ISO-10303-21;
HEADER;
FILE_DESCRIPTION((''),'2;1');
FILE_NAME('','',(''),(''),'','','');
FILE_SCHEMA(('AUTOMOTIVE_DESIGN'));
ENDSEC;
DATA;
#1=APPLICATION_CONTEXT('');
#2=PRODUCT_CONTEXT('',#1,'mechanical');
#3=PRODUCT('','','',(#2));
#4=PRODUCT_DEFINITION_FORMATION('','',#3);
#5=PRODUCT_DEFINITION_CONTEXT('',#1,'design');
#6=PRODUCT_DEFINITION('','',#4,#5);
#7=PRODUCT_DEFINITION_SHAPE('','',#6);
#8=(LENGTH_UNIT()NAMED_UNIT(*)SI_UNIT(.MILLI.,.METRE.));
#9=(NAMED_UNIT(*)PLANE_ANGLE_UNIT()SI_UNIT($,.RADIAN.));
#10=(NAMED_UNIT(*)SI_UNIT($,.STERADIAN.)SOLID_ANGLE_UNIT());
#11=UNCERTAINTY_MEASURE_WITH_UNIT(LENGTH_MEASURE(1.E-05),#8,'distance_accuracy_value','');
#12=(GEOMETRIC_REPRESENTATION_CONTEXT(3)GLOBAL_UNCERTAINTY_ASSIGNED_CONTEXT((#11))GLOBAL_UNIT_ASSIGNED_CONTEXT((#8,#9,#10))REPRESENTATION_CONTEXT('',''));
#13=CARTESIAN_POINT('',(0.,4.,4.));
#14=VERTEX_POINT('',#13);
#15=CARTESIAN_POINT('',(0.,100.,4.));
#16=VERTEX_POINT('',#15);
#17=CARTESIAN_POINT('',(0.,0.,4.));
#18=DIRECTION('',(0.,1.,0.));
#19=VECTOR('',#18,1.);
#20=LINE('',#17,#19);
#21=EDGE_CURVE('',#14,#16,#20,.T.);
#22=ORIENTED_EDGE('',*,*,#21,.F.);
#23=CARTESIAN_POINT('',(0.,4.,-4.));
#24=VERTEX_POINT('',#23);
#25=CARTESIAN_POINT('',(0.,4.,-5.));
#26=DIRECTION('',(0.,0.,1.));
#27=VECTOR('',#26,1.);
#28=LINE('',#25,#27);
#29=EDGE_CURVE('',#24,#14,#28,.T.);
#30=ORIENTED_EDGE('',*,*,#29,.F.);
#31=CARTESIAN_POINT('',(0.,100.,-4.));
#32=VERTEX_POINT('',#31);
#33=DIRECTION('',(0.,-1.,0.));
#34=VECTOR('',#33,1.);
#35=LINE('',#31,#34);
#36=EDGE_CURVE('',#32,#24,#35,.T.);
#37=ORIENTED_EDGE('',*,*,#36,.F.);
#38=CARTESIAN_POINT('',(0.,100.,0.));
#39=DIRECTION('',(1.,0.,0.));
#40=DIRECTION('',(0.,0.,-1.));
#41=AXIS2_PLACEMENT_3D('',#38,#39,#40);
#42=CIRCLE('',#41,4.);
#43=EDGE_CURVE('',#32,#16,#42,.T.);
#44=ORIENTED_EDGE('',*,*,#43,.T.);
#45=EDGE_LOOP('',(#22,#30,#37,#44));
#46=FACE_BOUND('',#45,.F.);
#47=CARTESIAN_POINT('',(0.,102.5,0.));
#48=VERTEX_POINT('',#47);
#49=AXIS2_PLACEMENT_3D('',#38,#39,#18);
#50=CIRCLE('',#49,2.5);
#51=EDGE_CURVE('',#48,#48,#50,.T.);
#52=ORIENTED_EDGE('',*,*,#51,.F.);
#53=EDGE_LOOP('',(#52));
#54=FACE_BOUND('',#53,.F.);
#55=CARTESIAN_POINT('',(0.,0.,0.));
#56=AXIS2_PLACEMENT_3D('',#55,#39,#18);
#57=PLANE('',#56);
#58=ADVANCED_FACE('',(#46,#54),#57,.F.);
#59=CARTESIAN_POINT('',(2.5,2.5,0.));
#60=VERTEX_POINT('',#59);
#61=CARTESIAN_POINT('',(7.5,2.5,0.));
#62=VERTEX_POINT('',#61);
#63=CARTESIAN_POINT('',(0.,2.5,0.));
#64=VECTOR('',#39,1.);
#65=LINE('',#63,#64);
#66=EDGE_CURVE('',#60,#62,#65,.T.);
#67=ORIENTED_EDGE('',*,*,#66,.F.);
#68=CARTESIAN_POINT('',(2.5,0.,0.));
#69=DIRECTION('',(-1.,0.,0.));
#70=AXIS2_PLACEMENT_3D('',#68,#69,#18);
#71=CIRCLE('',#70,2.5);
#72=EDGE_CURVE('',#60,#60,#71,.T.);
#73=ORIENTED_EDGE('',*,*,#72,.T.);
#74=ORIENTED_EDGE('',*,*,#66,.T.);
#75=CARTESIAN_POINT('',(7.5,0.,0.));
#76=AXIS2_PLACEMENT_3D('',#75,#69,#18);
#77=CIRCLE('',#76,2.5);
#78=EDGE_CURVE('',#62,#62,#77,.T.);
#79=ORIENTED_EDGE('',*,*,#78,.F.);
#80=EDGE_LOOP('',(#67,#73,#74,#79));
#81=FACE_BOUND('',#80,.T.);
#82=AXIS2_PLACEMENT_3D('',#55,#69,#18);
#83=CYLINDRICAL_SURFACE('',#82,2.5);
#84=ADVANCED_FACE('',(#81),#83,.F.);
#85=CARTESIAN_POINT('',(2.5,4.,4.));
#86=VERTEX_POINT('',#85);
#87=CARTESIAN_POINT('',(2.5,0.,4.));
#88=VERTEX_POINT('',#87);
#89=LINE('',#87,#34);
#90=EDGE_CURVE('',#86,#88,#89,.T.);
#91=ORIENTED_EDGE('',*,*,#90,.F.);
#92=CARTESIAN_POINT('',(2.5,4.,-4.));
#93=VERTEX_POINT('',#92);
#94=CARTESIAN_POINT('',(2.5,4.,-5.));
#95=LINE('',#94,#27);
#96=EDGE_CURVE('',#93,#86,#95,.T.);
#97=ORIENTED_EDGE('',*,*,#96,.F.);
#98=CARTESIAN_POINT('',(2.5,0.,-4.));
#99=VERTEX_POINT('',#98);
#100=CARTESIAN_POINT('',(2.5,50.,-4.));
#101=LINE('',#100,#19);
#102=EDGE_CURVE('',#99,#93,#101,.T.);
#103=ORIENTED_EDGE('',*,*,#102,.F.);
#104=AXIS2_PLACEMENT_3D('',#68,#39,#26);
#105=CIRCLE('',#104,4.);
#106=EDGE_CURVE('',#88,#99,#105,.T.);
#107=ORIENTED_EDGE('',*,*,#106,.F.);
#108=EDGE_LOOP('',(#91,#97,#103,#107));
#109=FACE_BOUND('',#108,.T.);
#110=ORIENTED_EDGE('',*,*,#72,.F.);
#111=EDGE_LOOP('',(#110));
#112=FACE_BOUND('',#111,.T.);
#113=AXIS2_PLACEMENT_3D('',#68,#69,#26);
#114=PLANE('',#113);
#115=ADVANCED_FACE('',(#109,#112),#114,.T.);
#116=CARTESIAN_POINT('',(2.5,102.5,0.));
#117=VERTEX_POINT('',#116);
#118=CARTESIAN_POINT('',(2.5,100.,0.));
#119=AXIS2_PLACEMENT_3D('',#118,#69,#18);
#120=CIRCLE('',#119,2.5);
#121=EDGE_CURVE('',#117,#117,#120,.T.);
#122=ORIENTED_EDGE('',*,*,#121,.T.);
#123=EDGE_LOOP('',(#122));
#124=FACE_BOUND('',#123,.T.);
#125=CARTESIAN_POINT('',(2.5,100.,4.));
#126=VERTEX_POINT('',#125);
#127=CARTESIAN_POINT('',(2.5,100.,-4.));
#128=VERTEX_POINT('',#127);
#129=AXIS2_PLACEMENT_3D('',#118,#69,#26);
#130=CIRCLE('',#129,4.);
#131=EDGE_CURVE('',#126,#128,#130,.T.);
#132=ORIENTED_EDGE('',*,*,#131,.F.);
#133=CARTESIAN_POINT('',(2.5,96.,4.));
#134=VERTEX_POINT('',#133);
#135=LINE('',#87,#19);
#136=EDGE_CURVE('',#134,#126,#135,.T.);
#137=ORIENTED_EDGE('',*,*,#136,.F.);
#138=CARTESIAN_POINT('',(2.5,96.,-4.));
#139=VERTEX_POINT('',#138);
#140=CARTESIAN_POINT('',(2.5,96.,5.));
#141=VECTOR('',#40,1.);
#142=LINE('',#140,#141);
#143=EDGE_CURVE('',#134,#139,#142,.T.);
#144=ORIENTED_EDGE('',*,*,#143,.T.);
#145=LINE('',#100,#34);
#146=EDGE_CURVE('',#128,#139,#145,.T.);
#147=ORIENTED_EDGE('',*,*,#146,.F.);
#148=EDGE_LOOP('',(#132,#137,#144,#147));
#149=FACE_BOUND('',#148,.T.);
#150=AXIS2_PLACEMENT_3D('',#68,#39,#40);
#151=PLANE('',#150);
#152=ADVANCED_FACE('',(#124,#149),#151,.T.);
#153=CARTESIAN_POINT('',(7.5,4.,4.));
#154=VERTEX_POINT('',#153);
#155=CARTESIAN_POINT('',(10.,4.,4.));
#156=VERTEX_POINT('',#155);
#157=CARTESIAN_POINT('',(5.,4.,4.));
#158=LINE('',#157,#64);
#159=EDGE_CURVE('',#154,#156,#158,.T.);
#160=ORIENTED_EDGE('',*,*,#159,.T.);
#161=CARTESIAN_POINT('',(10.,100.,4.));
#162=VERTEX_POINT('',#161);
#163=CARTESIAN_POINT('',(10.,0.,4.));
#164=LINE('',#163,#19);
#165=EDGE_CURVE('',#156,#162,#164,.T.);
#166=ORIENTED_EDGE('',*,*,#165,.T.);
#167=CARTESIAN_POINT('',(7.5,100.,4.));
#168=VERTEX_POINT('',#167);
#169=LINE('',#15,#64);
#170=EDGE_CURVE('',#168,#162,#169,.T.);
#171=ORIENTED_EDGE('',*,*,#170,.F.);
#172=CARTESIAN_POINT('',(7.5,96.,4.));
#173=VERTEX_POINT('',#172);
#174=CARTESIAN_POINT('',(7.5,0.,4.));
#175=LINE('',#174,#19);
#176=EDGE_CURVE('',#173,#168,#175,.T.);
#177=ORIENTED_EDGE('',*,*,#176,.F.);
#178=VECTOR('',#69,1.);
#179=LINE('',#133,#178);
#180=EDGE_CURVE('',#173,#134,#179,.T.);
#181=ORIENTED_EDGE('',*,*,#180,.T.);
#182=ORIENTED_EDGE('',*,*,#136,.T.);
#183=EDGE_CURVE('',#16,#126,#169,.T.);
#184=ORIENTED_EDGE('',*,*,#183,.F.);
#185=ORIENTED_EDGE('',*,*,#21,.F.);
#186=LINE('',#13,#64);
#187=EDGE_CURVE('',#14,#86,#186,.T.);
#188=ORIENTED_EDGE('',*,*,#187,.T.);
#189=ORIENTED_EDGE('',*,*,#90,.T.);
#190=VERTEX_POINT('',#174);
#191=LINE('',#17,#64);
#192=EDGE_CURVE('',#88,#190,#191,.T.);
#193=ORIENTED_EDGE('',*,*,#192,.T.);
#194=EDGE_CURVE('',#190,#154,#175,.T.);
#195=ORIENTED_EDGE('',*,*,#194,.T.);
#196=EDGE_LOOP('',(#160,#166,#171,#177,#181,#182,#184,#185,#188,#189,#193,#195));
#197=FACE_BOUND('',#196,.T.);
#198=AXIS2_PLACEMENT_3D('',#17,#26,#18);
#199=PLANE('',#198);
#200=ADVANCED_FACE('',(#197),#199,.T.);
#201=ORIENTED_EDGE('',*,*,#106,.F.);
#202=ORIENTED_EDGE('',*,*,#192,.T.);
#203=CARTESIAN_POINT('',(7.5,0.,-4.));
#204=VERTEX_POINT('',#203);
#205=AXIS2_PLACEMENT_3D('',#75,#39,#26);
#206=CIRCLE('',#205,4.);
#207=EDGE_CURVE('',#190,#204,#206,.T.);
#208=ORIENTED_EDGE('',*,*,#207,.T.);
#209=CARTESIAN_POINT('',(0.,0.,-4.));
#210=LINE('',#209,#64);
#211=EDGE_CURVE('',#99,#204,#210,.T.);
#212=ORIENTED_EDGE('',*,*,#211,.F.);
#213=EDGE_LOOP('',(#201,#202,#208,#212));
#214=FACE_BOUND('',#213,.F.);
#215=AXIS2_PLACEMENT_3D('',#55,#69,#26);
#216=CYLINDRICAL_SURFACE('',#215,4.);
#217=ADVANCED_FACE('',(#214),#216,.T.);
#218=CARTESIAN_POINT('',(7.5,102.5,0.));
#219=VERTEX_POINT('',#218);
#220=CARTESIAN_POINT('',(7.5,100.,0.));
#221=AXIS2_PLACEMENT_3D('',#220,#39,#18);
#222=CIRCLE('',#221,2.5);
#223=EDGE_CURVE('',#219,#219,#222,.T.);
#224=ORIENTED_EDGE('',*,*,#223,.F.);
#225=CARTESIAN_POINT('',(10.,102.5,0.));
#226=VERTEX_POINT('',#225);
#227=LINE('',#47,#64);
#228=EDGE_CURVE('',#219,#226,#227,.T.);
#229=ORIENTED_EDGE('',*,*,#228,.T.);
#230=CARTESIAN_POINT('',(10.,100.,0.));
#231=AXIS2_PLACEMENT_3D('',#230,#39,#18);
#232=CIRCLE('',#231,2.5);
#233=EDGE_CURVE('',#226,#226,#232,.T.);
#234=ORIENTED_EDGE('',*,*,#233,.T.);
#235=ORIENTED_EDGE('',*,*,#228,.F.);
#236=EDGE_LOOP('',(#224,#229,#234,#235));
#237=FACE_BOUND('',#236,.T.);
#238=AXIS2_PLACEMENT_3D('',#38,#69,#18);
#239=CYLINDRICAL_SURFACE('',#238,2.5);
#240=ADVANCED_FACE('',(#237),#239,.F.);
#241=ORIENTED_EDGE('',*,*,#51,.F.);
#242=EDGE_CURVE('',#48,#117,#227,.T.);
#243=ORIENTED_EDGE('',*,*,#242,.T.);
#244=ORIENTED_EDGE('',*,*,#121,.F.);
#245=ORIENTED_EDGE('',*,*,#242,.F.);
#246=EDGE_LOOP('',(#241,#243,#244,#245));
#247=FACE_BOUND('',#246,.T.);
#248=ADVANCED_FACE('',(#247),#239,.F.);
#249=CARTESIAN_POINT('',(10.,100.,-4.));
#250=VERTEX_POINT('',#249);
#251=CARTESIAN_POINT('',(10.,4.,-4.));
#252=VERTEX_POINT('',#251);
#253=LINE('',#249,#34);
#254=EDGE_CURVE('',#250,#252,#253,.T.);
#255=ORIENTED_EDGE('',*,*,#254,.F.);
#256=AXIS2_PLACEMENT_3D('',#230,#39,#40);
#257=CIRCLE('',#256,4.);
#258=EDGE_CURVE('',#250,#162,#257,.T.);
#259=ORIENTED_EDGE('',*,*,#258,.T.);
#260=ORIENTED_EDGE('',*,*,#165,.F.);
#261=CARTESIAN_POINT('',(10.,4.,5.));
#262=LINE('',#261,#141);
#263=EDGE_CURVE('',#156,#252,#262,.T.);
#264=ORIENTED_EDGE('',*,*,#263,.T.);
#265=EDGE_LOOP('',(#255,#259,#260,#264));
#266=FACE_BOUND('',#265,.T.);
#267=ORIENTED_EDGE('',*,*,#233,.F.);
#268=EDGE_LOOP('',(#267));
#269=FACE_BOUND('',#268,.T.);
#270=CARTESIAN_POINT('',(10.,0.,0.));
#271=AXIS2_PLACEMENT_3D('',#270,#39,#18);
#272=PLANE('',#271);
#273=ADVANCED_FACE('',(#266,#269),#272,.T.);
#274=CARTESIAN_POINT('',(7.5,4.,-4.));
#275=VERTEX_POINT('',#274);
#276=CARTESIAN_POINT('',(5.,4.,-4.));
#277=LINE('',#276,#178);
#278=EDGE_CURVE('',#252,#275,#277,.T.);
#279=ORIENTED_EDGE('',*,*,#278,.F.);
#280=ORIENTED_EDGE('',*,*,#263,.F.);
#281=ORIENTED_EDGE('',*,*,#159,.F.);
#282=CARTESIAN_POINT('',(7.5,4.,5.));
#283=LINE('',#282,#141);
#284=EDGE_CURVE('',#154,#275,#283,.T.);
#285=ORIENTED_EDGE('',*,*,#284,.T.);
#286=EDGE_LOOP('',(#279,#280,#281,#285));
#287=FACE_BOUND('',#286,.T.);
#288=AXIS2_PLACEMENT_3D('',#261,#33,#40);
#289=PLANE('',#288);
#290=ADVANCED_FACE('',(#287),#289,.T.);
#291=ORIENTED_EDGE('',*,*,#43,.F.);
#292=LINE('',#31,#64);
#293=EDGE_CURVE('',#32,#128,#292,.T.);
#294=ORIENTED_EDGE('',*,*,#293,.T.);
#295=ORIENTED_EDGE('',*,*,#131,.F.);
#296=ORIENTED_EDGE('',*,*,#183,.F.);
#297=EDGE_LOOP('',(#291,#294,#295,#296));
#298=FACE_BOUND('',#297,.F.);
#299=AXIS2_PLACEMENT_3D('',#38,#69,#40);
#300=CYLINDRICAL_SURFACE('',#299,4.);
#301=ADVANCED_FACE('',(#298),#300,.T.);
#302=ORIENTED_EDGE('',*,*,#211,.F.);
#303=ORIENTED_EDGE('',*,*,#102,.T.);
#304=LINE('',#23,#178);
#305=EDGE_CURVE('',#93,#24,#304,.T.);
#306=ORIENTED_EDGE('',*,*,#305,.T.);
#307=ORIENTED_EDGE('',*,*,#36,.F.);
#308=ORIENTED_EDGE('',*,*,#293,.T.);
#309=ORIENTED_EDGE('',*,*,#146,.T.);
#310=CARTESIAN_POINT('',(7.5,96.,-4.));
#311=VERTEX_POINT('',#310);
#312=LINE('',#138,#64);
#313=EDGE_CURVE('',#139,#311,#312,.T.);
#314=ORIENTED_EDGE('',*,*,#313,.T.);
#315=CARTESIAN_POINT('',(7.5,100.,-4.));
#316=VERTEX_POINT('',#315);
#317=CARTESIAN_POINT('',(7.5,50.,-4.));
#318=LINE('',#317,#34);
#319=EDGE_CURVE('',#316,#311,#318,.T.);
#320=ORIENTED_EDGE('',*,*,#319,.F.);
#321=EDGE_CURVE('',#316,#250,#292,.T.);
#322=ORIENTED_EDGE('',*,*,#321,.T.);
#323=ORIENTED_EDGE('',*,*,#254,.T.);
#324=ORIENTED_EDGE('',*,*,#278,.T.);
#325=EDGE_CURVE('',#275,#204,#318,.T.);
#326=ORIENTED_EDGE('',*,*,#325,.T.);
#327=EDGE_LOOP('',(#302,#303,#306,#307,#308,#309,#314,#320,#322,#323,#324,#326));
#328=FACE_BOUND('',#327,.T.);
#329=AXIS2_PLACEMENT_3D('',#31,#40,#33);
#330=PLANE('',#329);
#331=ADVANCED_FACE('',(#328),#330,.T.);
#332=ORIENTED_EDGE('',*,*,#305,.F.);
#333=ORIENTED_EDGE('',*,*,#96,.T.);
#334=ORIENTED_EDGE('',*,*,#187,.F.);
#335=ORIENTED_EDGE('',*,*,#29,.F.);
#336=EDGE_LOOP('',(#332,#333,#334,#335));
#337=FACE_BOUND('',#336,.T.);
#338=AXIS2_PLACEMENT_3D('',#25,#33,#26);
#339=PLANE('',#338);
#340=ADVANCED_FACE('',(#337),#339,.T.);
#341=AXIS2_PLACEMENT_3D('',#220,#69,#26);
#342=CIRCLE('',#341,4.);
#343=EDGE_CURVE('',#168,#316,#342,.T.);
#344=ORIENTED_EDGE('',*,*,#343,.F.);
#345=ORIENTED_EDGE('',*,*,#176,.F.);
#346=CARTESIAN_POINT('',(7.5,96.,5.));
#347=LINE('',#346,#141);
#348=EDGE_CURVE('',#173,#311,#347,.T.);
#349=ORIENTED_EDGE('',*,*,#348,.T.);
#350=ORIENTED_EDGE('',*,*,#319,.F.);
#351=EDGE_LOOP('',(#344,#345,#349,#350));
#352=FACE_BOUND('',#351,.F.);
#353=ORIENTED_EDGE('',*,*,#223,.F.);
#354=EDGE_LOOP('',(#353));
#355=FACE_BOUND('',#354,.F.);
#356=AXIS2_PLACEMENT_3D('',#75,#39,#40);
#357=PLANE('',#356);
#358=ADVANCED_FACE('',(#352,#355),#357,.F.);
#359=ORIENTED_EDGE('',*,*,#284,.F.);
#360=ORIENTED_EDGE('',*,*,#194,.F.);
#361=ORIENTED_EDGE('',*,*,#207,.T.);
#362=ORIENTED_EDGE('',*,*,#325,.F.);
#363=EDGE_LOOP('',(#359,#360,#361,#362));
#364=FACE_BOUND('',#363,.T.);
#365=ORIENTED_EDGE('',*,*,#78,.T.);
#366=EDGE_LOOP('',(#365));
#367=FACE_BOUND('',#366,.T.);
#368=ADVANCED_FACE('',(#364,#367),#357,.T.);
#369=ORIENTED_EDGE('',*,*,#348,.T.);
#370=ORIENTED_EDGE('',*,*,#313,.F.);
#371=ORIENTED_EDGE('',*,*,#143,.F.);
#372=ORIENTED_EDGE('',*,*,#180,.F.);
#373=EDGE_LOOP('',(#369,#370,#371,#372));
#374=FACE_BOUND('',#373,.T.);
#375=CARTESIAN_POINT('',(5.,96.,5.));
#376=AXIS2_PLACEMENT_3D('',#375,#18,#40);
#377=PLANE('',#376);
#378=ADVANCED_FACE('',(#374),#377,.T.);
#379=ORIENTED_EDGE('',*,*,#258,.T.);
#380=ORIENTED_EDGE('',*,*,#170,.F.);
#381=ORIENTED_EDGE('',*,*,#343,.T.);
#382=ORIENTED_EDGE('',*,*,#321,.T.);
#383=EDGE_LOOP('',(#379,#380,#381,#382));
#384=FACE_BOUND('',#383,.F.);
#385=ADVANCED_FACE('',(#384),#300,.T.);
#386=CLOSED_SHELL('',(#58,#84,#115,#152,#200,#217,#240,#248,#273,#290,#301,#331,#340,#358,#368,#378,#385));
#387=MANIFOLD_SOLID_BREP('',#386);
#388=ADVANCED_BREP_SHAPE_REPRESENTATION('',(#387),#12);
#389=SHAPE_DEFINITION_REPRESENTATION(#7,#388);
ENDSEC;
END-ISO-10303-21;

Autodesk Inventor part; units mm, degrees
ref_plane "YZ Plane" through (0, 0, 0) normal (1, 0, 0) x (0, 1, 0)
ref_plane "XZ Plane" through (0, 0, 0) normal (0, 1, 0) x (-1, 0, 0)
ref_plane "XY Plane" through (0, 0, 0) normal (0, 0, 1) x (1, 0, 0)
sketch "Sketch1" plane through (0, 0, 0) normal (1, 0, 0) x (0, 1, 0)
  circle A0 centre (0, 0) radius 2.5
  arc A1 (0, 4) -> (0, -4) centre (0, 0) ccw
  line L0 (0, 4) -> (100, 4)
  line L1 (100, -4) -> (0, -4)
  arc A2 (100, -4) -> (100, 4) centre (100, 0) ccw
  circle A3 centre (100, 0) radius 2.5
  dimension "d0" = 5
  dimension "d1" = 8
  dimension "d3" = 100
  dimension "d4" = 8
  dimension "d5" = 5
extrude "Extrusion1" add sketch "Sketch1" along normal blind 10
ref_plane "Work Plane1" through (5, 0, 0) normal (1, 0, 0) x (0, 0, -1)
sketch "Sketch2" plane through (5, 0, 0) normal (1, 0, 0) x (0, 0, -1)
  circle A0 centre (0, 100) radius 2.5 projected
  arc A1 (4, 100) -> (-4, 100) centre (0, 100) ccw projected
  line L0 (0, 104) -> (5, 104)
  line L1 (5, 104) -> (-5, 104)
  line L2 (-5, 104) -> (-5, 96)
  line L3 (-5, 96) -> (5, 96)
  line L4 (5, 96) -> (5, 104)
  point P0 (0, 0)
  dimension "d9" = 5
  dimension "d10" = 10
  dimension "d11" = 8
extrude "Extrusion2" cut sketch "Sketch2" along normal mid plane 5
sketch "Sketch4" plane through (10, 0, 0) normal (1, 0, 0) x (0, 0, -1)
  line L0 (5, -4) -> (-5, -4)
  line L1 (-5, -4) -> (-5, 4)
  line L2 (-5, 4) -> (5, 4)
  line L3 (5, 4) -> (5, -4)
  point P0 (0, 0)
  dimension "d19" = 10
  dimension "d20" = 8
extrude "Extrusion4" cut sketch "Sketch4" against normal blind 2.5
sketch "Sketch5" plane through (0, 0, 0) normal (-1, 0, 0) x (0, 0, 1)
  line L0 (5, -4) -> (-5, -4)
  line L1 (-5, -4) -> (-5, 4)
  line L2 (-5, 4) -> (5, 4)
  line L3 (5, 4) -> (5, -4)
  point P0 (0, 0)
  dimension "d23" = 10
  dimension "d24" = 8
extrude "Extrusion5" cut sketch "Sketch5" against normal blind 2.5
equation "\"d5\" = d0"
properties part number "ServoLinkage"
